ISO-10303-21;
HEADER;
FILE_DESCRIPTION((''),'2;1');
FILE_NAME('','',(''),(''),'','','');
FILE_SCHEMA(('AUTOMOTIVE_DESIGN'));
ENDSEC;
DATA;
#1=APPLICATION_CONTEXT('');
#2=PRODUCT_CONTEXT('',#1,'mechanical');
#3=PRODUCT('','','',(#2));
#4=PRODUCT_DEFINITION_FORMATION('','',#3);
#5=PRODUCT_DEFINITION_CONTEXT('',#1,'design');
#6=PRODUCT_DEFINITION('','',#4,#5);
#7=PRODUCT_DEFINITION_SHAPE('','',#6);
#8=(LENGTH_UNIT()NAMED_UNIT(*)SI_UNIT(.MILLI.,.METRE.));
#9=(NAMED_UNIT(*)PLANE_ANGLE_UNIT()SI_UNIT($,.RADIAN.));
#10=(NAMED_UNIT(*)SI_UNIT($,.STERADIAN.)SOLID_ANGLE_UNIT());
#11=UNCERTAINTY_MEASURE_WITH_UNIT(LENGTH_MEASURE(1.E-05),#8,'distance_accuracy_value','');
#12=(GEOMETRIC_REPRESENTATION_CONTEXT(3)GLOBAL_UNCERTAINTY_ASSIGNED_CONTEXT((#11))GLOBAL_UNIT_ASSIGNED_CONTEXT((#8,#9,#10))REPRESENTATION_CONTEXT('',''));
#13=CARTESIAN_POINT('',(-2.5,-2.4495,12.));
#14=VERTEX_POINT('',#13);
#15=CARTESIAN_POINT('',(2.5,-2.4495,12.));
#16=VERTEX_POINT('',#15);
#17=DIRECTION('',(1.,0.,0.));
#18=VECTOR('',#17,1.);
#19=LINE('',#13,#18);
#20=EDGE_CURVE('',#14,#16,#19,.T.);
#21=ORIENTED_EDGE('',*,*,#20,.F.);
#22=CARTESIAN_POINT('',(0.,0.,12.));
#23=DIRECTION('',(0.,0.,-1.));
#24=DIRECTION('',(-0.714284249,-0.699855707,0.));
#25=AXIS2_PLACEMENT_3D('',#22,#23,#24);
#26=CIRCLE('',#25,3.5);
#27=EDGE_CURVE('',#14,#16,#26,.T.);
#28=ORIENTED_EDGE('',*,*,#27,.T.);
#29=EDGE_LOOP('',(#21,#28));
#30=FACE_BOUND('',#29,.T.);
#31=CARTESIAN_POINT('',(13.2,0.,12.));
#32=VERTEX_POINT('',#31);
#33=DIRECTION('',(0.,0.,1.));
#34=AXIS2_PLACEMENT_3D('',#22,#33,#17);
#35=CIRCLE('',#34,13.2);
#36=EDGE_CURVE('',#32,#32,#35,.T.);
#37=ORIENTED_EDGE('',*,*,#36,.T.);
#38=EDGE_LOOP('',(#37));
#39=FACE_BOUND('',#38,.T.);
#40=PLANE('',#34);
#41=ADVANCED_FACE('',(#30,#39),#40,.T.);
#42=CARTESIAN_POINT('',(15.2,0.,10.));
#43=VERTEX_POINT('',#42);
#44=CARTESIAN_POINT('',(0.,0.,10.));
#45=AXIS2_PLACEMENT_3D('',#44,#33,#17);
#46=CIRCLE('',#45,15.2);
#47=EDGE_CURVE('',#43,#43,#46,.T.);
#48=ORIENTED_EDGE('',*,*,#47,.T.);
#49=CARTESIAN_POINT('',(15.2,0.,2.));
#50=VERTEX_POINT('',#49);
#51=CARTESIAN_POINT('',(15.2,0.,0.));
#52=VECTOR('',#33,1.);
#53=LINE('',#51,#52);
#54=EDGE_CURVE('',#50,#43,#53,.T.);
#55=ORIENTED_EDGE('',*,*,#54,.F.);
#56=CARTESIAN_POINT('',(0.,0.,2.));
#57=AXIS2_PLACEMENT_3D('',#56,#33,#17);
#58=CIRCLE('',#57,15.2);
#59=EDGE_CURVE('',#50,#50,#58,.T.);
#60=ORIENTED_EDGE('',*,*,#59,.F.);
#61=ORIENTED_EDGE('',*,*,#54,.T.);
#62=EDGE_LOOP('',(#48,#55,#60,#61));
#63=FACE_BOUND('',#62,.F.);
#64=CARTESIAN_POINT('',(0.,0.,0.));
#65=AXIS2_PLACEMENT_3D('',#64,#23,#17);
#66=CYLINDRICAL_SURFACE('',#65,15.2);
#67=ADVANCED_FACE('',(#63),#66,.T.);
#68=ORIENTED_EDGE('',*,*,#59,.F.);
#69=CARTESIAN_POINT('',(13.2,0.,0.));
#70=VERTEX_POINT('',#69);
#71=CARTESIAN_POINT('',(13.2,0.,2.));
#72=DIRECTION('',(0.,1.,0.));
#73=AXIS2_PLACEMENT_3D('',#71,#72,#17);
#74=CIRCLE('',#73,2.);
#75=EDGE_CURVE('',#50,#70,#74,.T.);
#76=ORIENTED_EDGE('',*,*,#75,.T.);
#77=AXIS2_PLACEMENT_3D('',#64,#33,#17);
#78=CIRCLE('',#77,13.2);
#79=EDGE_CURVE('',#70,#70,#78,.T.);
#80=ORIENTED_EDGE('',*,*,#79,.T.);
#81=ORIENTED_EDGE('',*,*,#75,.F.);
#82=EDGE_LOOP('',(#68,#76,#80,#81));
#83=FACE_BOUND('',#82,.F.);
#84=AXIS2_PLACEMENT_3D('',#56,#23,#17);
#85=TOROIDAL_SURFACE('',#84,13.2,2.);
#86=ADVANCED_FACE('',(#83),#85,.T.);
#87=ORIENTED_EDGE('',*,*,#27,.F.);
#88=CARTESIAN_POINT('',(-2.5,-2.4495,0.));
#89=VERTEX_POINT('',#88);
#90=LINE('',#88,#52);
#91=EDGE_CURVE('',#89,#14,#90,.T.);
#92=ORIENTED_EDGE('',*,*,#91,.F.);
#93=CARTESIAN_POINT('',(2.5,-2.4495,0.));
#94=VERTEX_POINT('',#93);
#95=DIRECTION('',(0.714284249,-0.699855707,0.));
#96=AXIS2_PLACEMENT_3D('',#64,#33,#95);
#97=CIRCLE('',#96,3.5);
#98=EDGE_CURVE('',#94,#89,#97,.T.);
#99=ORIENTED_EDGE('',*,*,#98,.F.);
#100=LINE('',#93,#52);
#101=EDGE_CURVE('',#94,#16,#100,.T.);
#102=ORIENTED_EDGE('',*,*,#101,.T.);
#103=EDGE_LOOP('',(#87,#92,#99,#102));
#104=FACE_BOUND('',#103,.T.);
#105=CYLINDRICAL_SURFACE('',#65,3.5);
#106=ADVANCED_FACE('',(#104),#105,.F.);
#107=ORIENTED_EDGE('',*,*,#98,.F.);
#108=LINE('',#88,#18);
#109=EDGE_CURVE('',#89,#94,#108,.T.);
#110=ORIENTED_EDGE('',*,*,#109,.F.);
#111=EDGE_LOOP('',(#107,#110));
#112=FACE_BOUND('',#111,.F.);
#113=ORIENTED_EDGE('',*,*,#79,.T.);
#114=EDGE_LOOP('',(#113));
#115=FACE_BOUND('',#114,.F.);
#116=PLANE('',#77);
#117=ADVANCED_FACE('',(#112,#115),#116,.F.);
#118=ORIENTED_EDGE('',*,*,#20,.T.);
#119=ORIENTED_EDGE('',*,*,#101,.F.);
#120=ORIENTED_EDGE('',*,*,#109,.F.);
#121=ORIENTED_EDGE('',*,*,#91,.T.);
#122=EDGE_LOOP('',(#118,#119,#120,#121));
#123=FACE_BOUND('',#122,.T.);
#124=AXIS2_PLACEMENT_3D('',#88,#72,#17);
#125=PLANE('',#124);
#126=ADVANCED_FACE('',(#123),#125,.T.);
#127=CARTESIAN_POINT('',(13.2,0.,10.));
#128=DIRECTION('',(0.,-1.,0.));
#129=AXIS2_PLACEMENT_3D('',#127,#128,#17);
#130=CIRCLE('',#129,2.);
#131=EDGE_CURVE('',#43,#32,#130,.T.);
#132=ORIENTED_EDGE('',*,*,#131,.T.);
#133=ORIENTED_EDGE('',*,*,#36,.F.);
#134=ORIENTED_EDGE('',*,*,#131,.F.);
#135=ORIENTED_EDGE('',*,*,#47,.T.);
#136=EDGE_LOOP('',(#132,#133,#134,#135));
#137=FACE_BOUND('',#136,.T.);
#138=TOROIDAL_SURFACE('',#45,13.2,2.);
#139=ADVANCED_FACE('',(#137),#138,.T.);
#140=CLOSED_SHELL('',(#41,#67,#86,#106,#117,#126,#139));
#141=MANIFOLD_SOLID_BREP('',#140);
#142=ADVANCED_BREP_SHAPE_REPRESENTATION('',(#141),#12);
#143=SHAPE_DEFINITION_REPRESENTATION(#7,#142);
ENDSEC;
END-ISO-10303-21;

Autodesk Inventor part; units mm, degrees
ref_plane "YZ Plane" through (0, 0, 0) normal (1, 0, 0) x (0, 1, 0)
ref_plane "XZ Plane" through (0, 0, 0) normal (0, 1, 0) x (-1, 0, 0)
ref_plane "XY Plane" through (0, 0, 0) normal (0, 0, 1) x (1, 0, 0)
sketch "Sketch1" plane through (0, 0, 0) normal (0, 0, 1) x (1, 0, 0)
  circle A0 centre (0, 0) radius 15.2
  circle A1 centre (0, 0) radius 3.5
  line L0 (-2.5, -2.4495) -> (2.5, -2.4495)
  dimension "d0" = 30.4
  dimension "d1" = 7
  dimension "d2" = 5
extrude "Extrusion1" add sketch "Sketch1" along normal blind 12 contours A0 | L0 A1 picked at (0.6279, -2.6163)
fillet "Fillet1" radius 2 2 edges at (-15.2, 0, 12) (-15.2, 0, 0)
